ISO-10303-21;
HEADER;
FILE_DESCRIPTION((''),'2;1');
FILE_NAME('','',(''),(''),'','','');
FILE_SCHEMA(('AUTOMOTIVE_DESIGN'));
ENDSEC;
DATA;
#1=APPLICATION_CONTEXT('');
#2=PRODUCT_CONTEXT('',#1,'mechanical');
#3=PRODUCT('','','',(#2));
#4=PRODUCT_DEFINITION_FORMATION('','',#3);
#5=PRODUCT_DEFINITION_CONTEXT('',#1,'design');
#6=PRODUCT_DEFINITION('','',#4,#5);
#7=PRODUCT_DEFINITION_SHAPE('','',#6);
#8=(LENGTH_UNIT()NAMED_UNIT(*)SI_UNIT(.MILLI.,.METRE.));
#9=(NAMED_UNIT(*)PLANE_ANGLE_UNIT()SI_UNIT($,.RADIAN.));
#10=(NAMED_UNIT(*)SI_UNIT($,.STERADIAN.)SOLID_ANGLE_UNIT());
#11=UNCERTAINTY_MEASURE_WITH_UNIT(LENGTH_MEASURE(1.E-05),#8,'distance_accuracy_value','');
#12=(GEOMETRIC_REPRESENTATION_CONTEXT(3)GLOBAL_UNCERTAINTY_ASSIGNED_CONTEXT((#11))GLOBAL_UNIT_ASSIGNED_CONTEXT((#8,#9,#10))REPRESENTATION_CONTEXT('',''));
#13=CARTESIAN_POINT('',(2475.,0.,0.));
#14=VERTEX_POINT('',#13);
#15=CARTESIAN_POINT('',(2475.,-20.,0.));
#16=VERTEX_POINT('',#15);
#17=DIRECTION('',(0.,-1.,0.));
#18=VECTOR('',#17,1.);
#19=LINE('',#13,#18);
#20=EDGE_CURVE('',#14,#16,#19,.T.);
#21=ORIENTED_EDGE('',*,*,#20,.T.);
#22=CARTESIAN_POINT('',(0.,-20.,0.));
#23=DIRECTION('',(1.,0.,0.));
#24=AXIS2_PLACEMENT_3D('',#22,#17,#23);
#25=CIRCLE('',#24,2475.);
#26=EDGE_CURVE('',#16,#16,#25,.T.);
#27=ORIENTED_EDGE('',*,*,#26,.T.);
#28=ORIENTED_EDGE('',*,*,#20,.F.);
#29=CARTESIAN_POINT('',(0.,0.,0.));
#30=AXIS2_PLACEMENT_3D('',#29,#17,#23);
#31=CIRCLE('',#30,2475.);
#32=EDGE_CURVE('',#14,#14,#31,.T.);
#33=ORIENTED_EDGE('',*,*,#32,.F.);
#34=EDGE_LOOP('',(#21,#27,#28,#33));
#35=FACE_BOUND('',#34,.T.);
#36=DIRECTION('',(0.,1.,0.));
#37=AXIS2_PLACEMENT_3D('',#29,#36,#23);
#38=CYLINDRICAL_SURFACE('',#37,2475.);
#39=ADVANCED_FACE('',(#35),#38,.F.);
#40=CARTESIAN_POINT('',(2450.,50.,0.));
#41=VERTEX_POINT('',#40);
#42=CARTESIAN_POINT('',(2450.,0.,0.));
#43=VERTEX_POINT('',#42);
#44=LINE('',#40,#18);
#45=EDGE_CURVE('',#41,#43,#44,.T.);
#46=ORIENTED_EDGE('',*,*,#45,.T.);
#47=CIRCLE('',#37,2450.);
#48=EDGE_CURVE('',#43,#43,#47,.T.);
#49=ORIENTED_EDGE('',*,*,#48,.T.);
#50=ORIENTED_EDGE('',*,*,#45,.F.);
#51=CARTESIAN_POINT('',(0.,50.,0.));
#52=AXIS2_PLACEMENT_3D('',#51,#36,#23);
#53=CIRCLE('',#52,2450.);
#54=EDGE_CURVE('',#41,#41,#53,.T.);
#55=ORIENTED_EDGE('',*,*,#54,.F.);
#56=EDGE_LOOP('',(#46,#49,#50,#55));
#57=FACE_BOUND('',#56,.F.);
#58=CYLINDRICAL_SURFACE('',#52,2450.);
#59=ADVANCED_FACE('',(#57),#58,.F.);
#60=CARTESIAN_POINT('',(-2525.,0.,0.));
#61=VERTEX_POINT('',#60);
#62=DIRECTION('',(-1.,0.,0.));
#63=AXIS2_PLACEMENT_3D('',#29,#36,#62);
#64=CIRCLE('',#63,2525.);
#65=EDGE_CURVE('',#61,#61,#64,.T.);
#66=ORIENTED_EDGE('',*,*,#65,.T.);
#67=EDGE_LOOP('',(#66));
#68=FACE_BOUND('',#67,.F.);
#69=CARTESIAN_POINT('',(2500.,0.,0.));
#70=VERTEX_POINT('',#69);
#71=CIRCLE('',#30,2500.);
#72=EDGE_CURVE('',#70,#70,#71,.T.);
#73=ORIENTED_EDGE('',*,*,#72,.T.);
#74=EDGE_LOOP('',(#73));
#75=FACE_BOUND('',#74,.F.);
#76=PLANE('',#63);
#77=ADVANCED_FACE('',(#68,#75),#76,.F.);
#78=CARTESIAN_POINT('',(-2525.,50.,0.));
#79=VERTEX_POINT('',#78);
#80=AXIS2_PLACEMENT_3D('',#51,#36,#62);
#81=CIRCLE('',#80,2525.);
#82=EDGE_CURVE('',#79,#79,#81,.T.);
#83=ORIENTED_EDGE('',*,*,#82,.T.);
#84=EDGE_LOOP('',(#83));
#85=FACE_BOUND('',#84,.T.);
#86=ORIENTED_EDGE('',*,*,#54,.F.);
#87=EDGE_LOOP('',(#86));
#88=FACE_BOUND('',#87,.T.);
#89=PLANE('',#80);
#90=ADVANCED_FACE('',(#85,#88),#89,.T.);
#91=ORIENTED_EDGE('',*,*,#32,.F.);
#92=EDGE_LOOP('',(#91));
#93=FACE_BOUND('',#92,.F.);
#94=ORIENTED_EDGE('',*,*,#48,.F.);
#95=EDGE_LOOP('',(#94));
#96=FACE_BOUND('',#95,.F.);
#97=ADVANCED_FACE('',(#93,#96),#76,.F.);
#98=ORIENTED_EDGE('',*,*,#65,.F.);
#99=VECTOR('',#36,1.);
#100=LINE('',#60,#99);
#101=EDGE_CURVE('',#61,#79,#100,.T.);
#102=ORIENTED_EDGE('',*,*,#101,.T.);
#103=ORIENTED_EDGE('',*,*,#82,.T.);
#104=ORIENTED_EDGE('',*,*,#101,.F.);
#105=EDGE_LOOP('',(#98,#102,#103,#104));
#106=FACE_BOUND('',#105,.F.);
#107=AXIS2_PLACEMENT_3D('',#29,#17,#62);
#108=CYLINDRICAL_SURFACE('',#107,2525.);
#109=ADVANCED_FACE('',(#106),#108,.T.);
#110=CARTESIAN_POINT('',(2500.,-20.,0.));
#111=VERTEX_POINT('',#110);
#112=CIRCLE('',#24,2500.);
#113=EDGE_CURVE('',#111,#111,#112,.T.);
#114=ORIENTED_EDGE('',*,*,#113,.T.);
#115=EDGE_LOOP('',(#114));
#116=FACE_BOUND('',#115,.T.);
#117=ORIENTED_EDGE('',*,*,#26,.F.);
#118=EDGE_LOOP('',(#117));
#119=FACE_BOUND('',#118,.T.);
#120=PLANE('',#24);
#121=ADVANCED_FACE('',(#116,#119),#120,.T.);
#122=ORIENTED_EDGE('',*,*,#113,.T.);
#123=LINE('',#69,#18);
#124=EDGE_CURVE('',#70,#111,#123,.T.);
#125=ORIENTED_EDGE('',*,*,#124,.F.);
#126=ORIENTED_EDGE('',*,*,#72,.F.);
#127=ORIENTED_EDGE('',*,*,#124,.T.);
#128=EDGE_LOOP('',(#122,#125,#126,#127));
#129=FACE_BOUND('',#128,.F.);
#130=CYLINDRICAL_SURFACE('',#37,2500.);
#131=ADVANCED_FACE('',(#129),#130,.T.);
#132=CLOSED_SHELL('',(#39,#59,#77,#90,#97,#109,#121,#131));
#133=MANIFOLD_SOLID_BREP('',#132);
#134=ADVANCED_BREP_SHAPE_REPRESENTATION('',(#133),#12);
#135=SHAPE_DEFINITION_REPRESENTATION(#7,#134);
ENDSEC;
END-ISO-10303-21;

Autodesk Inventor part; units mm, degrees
ref_plane "YZ Plane" through (0, 0, 0) normal (1, 0, 0) x (0, 1, 0)
ref_plane "XZ Plane" through (0, 0, 0) normal (0, 1, 0) x (-1, 0, 0)
ref_plane "XY Plane" through (0, 0, 0) normal (0, 0, 1) x (1, 0, 0)
sketch "Sketch1" plane through (0, 0, 0) normal (0, 1, 0) x (-1, 0, 0)
  circle A0 centre (0, 0) radius 2525
  dimension "d0" = 5050
extrude "Extrusion1" add sketch "Sketch1" along normal blind 50
sketch "Sketch2" plane through (0, 0, 0) normal (0, -1, 0) x (1, 0, 0)
  point P0 (0, 0)
sketch "Sketch3" plane through (0, 0, 0) normal (0, -1, 0) x (1, 0, 0)
  circle A0 centre (0, 0) radius 2500
  circle A1 centre (0, 0) radius 2475
extrude "Extrusion2" add sketch "Sketch3" along normal blind 20
sketch "Sketch4" plane through (0, 50, 0) normal (0, 1, 0) x (1, 0, 0)
  circle A0 centre (0, 0) radius 2450
extrude "Extrusion3" cut sketch "Sketch4" against normal through all
properties part number "Dome"
